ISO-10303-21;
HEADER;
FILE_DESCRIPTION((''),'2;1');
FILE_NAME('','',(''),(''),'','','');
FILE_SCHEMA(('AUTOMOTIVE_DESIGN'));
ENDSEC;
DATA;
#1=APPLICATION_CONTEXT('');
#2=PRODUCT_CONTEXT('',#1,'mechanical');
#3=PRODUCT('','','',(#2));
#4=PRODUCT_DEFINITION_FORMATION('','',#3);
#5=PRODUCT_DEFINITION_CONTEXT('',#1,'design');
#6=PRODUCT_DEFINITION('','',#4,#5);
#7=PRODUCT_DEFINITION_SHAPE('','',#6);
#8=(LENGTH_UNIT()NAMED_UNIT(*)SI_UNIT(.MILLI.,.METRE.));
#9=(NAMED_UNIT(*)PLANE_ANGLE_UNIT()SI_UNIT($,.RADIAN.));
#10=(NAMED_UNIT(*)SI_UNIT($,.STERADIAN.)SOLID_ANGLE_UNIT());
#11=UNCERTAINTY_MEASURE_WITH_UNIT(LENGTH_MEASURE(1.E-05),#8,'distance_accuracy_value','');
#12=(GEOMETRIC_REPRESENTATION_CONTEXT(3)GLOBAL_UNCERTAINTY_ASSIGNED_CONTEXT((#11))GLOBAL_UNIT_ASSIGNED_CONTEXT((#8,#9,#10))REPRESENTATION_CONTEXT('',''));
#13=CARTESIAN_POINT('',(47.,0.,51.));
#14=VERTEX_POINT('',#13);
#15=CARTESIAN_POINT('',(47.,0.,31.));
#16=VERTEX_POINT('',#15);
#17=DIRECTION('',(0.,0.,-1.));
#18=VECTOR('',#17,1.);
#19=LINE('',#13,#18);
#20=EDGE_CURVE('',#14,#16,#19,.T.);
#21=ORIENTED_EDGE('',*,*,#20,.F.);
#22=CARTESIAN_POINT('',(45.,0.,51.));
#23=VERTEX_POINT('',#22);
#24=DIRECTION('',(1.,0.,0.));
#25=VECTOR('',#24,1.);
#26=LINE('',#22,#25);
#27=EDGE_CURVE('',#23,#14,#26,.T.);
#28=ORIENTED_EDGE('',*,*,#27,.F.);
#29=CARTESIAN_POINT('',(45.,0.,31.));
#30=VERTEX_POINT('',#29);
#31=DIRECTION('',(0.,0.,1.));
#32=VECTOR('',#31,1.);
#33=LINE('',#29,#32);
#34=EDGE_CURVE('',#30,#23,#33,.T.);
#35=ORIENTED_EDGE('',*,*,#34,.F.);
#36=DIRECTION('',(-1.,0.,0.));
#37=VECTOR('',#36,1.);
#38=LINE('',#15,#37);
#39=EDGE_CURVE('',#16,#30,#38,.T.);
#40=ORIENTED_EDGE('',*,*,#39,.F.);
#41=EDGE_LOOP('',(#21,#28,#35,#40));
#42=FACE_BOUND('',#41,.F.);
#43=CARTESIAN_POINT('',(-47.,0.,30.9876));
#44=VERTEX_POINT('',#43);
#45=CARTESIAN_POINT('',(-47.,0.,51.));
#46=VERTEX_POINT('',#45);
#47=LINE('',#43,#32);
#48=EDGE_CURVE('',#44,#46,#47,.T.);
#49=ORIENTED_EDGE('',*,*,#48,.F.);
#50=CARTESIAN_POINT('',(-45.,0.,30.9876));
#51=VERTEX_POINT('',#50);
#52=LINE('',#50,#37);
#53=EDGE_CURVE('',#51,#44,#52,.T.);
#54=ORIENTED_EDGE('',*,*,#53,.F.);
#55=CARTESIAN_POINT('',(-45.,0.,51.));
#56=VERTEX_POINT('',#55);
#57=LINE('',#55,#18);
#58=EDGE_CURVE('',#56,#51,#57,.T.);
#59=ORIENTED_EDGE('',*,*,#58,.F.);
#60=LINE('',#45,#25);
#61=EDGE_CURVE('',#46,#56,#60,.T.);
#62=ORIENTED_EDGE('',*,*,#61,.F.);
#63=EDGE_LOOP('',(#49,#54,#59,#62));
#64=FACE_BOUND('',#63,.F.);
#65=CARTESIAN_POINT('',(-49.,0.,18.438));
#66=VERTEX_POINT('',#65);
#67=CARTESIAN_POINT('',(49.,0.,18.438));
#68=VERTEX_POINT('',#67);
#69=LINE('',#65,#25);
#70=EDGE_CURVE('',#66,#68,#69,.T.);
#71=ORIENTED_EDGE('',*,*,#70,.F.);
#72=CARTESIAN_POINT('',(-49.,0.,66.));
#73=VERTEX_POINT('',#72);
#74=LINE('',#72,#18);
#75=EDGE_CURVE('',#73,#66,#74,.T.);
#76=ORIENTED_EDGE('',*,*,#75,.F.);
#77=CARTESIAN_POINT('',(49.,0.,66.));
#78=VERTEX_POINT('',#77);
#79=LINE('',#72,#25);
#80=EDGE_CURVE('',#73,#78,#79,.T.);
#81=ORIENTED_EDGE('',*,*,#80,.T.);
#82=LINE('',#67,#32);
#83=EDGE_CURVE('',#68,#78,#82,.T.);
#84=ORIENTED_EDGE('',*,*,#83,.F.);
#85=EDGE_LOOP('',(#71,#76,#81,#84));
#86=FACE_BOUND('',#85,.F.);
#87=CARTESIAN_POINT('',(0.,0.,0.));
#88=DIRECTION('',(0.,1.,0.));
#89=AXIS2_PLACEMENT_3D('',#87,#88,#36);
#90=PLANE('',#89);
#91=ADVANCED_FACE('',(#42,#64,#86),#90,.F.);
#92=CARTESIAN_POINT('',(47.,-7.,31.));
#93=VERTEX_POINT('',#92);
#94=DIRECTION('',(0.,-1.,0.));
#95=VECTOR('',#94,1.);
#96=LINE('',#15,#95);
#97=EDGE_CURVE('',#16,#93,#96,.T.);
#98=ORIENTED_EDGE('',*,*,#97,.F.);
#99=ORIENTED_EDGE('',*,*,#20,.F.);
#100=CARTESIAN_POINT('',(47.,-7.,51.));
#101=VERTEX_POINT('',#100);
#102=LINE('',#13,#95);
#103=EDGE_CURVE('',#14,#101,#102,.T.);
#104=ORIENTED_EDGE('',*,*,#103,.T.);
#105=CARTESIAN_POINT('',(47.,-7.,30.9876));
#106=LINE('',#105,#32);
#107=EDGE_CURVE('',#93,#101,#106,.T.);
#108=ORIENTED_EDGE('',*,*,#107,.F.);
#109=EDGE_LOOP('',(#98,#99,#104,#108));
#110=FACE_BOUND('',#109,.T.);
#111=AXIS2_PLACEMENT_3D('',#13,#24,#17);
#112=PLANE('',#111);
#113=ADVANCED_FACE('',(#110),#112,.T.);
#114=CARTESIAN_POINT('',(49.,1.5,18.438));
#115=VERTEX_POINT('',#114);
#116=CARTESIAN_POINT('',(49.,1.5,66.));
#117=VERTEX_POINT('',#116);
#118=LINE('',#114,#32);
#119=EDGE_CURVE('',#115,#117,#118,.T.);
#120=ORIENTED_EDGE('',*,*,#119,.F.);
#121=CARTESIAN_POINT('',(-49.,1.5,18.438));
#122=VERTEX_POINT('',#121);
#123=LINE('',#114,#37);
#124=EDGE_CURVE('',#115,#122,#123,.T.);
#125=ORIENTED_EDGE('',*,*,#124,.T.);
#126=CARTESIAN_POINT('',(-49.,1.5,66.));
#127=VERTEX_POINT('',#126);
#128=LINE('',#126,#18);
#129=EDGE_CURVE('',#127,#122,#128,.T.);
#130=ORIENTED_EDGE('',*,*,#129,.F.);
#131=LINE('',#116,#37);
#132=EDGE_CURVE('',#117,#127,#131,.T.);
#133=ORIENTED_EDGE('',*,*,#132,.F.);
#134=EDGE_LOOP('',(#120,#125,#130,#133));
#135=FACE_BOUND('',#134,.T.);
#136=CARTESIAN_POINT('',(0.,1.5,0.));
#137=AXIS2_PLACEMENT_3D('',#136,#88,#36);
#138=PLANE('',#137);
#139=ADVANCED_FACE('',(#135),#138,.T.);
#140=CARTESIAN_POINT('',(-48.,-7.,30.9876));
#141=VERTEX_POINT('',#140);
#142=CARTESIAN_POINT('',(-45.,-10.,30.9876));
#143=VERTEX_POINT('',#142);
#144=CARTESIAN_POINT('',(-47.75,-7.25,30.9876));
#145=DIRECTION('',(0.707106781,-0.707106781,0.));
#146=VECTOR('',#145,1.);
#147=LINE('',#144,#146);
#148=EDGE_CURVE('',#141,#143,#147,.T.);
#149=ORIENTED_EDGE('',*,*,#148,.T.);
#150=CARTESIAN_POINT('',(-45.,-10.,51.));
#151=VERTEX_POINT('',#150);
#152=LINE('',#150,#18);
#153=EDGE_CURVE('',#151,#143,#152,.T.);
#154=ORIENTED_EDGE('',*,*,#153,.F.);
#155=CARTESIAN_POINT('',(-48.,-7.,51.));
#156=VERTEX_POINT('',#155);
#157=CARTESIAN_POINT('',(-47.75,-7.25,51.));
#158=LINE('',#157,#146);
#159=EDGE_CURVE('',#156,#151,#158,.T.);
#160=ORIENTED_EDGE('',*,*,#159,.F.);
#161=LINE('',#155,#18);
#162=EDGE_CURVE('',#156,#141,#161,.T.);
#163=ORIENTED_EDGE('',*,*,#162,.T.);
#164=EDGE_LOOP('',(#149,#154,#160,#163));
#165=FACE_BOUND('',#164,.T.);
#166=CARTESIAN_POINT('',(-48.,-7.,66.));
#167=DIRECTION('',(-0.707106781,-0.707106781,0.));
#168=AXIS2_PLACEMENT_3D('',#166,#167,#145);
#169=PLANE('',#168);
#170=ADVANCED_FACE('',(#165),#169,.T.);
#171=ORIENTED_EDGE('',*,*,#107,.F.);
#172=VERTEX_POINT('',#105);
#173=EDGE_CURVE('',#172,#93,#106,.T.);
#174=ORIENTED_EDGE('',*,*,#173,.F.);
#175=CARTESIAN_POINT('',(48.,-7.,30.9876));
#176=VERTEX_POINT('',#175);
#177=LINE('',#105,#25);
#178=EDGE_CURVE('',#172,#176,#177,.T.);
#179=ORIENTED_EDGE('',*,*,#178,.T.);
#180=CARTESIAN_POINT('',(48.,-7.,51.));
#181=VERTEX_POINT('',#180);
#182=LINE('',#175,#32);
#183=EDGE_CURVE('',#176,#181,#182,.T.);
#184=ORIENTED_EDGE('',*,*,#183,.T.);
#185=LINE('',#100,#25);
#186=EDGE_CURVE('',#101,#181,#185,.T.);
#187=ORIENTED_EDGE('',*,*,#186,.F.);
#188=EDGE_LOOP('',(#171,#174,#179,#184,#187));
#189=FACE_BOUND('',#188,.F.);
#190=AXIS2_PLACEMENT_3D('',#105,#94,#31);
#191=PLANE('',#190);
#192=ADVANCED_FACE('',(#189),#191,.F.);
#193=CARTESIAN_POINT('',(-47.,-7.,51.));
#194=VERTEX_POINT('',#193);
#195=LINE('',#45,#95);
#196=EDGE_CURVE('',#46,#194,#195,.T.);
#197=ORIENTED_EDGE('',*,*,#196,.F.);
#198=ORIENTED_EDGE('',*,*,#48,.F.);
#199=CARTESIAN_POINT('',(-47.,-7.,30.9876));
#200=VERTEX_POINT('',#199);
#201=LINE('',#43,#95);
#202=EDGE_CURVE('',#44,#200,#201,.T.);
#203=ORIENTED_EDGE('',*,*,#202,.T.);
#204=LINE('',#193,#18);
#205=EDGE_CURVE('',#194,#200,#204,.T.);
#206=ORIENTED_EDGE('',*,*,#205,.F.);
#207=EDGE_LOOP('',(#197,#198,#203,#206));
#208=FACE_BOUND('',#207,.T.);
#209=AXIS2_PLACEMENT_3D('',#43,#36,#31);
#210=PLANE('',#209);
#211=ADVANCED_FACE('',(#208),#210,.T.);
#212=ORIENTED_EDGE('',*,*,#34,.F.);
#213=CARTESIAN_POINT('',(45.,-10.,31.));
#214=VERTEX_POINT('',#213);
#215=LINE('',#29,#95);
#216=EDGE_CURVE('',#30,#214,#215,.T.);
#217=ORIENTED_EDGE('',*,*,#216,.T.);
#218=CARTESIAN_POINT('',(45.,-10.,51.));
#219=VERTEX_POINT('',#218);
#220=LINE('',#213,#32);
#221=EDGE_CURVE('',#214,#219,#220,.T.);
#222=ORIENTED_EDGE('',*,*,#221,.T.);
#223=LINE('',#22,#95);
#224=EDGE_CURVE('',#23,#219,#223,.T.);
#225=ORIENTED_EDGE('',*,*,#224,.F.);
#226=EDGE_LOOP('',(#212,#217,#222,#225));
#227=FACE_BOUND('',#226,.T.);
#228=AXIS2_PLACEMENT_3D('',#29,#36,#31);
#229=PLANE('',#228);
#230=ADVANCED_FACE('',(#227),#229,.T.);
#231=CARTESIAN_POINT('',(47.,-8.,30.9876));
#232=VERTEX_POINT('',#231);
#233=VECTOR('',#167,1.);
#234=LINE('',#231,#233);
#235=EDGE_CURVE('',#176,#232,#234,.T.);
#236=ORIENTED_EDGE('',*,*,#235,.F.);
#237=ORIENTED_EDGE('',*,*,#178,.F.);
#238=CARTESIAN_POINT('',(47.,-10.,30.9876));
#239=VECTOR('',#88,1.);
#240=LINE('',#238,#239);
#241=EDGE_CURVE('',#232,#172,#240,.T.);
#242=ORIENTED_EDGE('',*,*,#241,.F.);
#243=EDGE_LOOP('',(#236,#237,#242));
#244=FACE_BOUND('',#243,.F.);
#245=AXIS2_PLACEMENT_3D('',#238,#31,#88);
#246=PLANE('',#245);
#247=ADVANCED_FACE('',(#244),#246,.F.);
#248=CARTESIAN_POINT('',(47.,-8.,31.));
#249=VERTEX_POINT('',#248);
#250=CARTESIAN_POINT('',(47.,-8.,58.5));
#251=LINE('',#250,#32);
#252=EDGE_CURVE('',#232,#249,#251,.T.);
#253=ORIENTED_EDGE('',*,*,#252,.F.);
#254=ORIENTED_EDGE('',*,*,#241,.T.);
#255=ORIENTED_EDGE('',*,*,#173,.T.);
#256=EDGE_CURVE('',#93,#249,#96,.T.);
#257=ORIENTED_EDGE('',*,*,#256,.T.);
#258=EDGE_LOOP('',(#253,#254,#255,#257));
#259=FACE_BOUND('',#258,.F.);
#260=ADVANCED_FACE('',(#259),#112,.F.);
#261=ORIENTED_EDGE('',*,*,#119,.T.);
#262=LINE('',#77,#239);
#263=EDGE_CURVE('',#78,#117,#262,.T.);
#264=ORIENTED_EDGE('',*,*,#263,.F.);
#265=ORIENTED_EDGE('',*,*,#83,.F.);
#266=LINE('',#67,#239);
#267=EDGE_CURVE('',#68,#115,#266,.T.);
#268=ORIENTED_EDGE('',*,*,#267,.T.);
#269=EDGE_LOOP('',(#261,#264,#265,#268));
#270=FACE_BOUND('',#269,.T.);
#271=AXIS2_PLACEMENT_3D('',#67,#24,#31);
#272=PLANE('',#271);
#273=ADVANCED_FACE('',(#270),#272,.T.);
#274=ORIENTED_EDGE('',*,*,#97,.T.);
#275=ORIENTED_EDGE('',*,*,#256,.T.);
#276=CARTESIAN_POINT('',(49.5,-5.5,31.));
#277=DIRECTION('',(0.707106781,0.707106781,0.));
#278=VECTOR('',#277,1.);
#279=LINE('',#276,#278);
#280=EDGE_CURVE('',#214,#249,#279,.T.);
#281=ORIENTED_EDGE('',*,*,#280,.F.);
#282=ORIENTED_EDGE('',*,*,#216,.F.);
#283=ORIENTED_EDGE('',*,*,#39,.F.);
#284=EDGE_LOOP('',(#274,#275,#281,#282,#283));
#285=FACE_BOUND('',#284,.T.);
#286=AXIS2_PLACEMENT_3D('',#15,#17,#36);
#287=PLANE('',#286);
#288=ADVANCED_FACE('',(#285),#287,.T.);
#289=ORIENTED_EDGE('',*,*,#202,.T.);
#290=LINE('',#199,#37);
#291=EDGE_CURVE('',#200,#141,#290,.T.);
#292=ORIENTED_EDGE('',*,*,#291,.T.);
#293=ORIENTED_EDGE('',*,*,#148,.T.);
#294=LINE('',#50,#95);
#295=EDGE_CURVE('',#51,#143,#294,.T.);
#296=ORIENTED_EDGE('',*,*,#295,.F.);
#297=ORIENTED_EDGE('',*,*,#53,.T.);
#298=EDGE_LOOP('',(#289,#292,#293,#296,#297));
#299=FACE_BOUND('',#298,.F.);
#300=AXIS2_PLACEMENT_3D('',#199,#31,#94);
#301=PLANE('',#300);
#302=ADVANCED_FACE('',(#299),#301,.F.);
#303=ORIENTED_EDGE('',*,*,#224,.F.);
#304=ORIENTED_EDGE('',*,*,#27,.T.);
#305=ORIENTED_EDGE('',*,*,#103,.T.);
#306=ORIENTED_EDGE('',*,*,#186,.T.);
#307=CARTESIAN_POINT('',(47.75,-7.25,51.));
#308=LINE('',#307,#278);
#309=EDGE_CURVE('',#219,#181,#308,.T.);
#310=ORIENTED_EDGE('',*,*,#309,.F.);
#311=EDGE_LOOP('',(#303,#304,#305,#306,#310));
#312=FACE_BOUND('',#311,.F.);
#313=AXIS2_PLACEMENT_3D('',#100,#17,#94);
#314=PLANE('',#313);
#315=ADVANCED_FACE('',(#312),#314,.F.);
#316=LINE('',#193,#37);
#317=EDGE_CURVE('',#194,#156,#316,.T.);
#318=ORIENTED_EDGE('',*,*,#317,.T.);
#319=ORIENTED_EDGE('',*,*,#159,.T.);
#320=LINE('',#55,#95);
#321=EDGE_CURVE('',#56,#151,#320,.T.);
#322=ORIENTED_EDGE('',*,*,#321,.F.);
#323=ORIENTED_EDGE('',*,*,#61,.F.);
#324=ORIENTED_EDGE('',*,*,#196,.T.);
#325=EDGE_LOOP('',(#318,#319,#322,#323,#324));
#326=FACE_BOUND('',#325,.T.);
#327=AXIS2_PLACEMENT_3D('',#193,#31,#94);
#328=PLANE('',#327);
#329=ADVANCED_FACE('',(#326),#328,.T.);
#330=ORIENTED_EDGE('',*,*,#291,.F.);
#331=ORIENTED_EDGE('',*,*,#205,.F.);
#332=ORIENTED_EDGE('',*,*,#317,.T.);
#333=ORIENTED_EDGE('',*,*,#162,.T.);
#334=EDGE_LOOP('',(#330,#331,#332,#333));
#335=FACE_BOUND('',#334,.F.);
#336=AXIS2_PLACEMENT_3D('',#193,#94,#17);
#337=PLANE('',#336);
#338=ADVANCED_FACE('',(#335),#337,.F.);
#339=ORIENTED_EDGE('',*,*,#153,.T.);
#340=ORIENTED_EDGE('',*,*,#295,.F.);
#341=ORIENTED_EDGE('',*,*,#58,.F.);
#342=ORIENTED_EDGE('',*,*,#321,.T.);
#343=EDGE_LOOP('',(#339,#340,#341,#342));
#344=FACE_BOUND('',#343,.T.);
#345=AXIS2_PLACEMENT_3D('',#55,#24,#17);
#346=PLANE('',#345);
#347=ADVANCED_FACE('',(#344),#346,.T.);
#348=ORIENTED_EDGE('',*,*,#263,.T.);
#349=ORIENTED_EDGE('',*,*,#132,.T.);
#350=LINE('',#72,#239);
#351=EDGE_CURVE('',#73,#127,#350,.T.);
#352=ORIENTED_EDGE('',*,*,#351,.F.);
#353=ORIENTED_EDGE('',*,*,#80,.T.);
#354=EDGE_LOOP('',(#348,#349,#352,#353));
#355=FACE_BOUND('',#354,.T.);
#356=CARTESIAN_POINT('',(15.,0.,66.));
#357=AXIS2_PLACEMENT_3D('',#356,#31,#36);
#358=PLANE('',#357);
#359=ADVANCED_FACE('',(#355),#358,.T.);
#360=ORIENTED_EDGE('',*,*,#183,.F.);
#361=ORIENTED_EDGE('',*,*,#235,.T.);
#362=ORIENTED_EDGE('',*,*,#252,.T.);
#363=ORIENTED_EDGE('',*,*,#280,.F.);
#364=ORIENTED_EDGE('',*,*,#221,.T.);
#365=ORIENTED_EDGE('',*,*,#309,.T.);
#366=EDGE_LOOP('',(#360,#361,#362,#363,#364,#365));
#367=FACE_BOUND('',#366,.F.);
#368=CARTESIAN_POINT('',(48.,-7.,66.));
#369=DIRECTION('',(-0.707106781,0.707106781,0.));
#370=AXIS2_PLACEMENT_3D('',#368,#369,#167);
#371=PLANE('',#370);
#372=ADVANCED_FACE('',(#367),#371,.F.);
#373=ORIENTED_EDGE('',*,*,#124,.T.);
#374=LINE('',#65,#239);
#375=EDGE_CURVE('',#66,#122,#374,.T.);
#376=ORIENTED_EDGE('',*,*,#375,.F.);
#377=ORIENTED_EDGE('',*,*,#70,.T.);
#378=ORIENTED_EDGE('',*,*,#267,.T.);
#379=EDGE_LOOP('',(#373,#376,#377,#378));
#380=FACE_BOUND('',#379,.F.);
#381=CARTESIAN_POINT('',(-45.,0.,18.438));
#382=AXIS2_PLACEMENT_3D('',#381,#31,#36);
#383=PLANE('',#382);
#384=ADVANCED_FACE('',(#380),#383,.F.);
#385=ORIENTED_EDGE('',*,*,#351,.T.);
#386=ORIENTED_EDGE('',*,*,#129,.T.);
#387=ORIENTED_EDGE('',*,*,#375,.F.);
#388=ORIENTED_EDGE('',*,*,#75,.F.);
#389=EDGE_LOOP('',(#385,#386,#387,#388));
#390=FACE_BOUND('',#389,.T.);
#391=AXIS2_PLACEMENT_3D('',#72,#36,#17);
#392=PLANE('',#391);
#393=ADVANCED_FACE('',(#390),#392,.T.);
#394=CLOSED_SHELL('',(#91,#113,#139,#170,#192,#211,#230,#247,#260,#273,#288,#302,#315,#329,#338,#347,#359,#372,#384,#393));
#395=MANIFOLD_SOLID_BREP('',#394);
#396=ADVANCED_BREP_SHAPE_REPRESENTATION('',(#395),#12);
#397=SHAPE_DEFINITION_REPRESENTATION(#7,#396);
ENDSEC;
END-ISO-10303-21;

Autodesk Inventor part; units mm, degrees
ref_plane "YZ Plane" through (0, 0, 0) normal (1, 0, 0) x (0, 1, 0)
ref_plane "XZ Plane" through (0, 0, 0) normal (0, 1, 0) x (-1, 0, 0)
ref_plane "XY Plane" through (0, 0, 0) normal (0, 0, 1) x (1, 0, 0)
sketch "Boceto1" plane through (0, 0, 0) normal (0, 1, 0) x (-1, 0, 0)
  line L0 (-15, 66) -> (-49, 66)
  line L1 (45, 18.438) -> (49, 18.438)
  line L2 (-49, 66) -> (49, 66)
  line L3 (49, 66) -> (49, 18.438)
  line L4 (49, 18.438) -> (-49, 18.438)
  line L5 (-49, 18.438) -> (-49, 66)
  line L6 (-47, 51) -> (-45, 51)
  line L7 (-47, 51) -> (-45, 51)
  line L8 (-45, 51) -> (-45, 31)
  line L9 (-45, 31) -> (-47, 31)
  line L10 (-47, 31) -> (-47, 51)
  line L11 (45, 51.5) -> (45, 42.5)
  line L12 (47, 51) -> (47, 31)
  line L13 (45, 51.5) -> (47, 51.5)
  line L14 (47, 51.5) -> (47, 31)
  line L15 (47, 31) -> (45, 31)
  line L16 (45, 31) -> (45, 51.5)
  point P0 (0, 0)
extrude "Extrusión1" add sketch "Boceto1" along normal blind 1.5 contours L2 L3 L1 L4 L5 L0 | L6 L8 L9 L10 | L13 L14 L12 L15 L16 L11
sketch "Boceto2" plane through (0, 0, 0) normal (0, -1, 0) x (1, 0, 0)
  line L0 (-47, 51) -> (-45, 51)
  line L1 (-45, 51) -> (-45, 30.9876)
  line L2 (-45, 30.9876) -> (-47, 30.9876)
  line L3 (-47, 30.9876) -> (-47, 51)
  line L4 (45, 51) -> (47, 51)
  line L5 (47, 51) -> (47, 31)
  line L6 (47, 31) -> (45, 31)
  line L7 (45, 31) -> (45, 51)
  point P0 (0, 0)
extrude "Extrusión2" add sketch "Boceto2" along normal blind 10
sketch "Boceto3" plane through (-47, 0, 30.9876) normal (-1, 0, 0) x (0, 0, 1)
  line L0 (0, -10) -> (20.0124, -10) projected
  line L1 (20.0124, 0) -> (20.0124, -10) projected
  line L2 (0, -10) -> (20.0124, -10)
  line L3 (20.0124, -10) -> (20.0124, -7)
  line L4 (20.0124, -7) -> (0, -7)
  line L5 (0, -7) -> (0, -10)
  dimension "d4" = 3
extrude "Extrusión3" add sketch "Boceto3" along normal blind 1
sketch "Boceto5" plane through (47, 0, 51) normal (1, 0, 0) x (0, 0, -1)
  line L0 (20.0124, -10) -> (0, -10) projected
  line L1 (0, -10) -> (20.0124, -10)
  line L2 (20.0124, -10) -> (20.0124, -7)
  line L3 (20.0124, -7) -> (0, -7)
  line L4 (0, -7) -> (0, -10)
  point P0 (51, 0)
  dimension "d8" = 3
extrude "Extrusión4" add sketch "Boceto5" along normal blind 1
sketch "Boceto7" plane through (-49, 0, 66) normal (0, 0, 1) x (1, 0, 0)
  line L0 (49, 0) -> (49, 1.3987)
  line L1 (4, -10) -> (1, -10) projected
  line L2 (2, -7) -> (1, -7) projected
  line L3 (4, -10) -> (1, -10)
  line L4 (1, -10) -> (1, -7)
  line L5 (4, -7) -> (4, -10)
  line L6 (1, -7) -> (4, -10)
  line L7 (1, -10) -> (4, -10)
  line L8 (1, -7) -> (1, -10)
  line L9 (94, -10) -> (97, -10)
  line L10 (97, -10) -> (97, -7)
  line L11 (97, -7) -> (94, -10)
extrude "Extrusión5" cut sketch "Boceto7" against normal blind 48.25
equation "\"Radio_pliegue\" = Grosor"
equation "\"Anchura_desahogo_plegado\" = Grosor"
equation "\"Profundidad_desahogo_plegado\" = 0.5 * Grosor"
equation "\"Tamaño_destalonado\" = 4 * Grosor"
equation "\"Remanente_mínimo\" = 2 * Grosor"
equation "\"Radiodetransición\" = Radio_pliegue"
equation "\"Tamaño_de_radio_de_Jacobi\" = Radio_pliegue"
equation "\"TamañoSeparación\" = Grosor"
equation "\"Grosor\" = 0.5"
properties part number "TapaOnixium"
